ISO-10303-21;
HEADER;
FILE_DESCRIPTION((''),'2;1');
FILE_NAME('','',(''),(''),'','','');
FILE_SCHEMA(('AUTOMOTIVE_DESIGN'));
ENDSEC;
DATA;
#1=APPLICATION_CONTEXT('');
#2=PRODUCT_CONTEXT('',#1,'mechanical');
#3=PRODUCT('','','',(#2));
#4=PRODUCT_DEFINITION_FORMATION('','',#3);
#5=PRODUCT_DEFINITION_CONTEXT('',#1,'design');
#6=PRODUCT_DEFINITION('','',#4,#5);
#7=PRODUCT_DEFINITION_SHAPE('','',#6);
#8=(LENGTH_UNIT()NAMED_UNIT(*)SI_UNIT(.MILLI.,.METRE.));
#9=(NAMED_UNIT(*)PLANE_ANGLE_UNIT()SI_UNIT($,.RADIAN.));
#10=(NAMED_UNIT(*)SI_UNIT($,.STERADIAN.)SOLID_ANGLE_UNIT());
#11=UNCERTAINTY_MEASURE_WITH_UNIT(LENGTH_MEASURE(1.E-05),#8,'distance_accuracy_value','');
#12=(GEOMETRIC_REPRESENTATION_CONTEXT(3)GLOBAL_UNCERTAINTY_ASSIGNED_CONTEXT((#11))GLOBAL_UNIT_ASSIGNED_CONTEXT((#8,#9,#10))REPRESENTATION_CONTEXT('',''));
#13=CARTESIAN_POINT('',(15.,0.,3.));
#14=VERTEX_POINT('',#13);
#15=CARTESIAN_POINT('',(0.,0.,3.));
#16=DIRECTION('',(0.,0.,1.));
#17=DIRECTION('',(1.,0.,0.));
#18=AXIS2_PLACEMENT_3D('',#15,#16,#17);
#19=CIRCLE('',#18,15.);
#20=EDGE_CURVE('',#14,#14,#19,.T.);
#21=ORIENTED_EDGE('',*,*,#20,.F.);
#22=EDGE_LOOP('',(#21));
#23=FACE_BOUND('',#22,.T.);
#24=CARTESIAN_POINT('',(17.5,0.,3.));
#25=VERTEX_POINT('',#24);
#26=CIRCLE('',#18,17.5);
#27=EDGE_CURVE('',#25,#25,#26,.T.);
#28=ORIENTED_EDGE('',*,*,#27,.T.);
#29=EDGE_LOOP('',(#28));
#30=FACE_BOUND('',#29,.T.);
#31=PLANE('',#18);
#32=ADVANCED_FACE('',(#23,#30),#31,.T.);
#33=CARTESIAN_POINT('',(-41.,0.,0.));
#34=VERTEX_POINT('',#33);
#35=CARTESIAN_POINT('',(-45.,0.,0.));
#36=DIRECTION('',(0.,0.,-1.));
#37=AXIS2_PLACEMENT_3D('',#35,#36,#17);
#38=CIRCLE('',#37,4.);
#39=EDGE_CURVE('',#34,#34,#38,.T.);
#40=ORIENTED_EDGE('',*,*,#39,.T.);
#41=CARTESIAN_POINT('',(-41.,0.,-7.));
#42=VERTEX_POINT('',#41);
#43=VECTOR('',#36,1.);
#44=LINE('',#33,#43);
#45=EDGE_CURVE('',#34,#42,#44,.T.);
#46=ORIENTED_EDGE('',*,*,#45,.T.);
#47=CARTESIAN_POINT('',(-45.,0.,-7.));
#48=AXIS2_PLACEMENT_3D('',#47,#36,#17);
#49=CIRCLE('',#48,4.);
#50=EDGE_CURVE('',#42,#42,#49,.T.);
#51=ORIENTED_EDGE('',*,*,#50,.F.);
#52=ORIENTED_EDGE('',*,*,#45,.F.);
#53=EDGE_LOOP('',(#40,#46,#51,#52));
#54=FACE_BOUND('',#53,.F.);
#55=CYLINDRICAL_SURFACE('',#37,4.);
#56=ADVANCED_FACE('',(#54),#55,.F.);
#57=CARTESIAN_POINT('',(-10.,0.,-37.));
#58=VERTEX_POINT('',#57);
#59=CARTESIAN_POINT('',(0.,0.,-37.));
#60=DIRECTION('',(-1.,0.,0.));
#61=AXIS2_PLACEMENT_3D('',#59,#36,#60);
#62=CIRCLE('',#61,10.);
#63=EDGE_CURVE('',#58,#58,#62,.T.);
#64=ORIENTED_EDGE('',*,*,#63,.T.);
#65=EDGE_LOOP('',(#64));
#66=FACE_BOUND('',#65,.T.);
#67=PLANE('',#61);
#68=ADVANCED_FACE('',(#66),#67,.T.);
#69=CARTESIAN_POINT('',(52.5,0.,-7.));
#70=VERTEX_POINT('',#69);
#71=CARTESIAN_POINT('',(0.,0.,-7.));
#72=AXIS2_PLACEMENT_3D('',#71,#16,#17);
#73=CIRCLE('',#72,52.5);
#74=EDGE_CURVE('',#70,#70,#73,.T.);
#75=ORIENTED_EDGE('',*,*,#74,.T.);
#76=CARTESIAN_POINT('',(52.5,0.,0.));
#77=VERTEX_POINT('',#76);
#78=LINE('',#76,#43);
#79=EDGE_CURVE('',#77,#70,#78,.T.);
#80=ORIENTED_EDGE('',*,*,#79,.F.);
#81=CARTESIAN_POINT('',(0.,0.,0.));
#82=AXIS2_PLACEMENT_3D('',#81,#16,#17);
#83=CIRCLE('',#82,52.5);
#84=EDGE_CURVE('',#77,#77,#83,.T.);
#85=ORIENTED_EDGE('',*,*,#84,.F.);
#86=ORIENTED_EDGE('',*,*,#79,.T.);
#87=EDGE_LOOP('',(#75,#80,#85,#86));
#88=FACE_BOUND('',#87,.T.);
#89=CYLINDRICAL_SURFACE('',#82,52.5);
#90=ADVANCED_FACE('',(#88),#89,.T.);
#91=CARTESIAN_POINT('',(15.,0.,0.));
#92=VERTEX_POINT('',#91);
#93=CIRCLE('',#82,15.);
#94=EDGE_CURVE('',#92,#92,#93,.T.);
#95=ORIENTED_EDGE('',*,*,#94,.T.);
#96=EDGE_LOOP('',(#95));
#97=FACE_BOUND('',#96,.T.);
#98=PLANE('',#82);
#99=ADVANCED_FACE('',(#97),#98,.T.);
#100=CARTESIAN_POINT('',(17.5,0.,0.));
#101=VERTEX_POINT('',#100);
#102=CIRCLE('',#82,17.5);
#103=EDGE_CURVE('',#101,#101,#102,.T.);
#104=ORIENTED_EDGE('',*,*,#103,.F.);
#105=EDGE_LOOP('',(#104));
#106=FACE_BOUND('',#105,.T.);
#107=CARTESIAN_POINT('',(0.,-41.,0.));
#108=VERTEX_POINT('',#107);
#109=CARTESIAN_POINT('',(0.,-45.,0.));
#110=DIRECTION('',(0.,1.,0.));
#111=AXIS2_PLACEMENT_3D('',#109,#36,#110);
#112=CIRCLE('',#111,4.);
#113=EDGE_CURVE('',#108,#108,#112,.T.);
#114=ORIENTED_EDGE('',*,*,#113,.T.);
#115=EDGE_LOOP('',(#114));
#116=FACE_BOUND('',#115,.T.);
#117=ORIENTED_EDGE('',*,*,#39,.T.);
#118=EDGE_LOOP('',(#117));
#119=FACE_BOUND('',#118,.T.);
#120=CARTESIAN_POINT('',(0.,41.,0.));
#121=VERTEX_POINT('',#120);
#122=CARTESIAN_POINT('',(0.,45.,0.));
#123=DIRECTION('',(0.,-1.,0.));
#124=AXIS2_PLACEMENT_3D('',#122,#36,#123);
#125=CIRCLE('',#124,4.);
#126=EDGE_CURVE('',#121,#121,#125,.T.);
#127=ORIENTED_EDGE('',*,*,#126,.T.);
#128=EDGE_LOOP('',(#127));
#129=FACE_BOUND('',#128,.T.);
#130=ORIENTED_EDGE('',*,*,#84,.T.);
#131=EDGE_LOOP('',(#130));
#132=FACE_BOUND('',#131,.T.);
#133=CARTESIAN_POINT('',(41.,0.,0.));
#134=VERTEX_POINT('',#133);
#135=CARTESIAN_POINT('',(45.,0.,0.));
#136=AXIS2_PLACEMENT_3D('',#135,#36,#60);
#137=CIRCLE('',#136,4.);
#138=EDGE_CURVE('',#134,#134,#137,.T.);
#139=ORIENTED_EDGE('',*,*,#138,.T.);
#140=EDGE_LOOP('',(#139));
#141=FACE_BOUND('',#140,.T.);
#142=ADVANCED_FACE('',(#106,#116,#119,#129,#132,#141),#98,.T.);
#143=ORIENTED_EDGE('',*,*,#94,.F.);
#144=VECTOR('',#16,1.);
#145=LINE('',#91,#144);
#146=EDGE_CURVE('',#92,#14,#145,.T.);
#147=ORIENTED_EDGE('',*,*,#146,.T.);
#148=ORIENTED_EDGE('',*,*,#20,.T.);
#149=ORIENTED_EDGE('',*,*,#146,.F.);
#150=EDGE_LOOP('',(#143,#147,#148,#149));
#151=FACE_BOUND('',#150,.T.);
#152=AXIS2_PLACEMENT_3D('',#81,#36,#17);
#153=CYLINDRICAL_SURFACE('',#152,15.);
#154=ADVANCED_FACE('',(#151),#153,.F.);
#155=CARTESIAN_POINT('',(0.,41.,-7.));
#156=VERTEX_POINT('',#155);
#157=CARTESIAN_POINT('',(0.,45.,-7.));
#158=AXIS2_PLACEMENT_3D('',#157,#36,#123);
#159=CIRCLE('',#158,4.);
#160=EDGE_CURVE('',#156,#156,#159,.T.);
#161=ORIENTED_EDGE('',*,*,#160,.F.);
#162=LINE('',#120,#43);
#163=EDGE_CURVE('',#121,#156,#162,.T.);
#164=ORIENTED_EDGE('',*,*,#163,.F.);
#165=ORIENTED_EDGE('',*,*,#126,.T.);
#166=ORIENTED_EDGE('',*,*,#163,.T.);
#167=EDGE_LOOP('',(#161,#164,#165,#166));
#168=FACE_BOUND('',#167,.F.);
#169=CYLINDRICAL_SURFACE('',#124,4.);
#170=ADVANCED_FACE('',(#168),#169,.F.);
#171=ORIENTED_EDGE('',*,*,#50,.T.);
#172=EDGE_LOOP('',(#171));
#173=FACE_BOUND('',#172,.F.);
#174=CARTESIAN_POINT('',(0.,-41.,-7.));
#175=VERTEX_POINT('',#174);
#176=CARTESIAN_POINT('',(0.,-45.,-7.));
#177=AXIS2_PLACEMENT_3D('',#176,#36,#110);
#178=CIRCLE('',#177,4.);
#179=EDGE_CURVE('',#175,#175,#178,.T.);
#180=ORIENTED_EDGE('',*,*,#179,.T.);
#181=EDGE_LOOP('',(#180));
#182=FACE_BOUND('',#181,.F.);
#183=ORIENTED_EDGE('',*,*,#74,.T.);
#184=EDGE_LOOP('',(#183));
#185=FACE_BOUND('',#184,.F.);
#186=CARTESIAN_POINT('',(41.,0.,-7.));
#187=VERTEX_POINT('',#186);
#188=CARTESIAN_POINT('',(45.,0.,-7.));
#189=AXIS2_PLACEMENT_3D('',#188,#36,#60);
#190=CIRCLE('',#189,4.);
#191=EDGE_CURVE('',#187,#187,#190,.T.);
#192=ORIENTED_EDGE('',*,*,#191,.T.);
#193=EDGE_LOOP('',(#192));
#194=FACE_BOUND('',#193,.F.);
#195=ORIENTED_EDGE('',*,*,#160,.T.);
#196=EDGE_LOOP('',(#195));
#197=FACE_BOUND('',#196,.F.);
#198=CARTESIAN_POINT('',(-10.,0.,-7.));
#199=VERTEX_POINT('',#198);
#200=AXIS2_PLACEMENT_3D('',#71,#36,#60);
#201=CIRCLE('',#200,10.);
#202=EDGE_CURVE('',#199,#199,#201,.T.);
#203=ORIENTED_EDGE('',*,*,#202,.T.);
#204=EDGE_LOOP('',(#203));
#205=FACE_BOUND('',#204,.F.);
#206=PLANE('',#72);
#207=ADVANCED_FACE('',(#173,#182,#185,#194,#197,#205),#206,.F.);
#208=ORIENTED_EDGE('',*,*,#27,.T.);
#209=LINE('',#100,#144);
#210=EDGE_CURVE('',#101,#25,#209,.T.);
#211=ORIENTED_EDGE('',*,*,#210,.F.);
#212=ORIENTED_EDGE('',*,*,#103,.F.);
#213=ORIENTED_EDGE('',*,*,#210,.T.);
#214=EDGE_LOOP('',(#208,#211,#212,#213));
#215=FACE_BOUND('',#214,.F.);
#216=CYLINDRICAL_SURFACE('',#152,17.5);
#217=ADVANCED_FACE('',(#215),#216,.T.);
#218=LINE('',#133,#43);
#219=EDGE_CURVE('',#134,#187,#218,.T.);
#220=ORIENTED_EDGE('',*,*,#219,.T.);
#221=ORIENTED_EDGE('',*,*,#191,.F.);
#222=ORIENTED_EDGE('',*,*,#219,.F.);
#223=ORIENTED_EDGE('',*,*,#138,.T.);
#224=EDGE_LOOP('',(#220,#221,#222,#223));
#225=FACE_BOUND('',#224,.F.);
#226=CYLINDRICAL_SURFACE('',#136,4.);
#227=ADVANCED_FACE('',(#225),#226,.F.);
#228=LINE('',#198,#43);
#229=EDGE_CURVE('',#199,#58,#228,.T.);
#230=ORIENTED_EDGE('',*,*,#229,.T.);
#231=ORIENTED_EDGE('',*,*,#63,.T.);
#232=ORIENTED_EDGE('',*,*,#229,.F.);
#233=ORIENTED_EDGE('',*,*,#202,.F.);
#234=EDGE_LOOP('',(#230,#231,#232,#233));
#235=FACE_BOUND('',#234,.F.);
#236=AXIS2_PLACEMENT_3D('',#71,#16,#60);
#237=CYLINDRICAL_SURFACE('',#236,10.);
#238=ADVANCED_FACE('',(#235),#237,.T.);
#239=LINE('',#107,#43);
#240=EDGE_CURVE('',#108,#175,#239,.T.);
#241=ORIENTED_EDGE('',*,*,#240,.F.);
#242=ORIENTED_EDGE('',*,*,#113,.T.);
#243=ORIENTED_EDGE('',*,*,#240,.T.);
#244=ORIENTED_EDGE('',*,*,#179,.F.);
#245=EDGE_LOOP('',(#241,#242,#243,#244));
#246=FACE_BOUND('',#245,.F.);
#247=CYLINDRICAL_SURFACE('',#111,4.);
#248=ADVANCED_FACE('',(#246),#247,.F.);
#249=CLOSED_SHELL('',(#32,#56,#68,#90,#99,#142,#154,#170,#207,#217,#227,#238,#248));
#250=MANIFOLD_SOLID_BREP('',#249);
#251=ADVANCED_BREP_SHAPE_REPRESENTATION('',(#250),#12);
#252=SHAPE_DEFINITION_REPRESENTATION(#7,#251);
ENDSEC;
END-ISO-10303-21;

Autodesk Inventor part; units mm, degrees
ref_plane "YZ Plane" through (0, 0, 0) normal (1, 0, 0) x (0, 1, 0)
ref_plane "XZ Plane" through (0, 0, 0) normal (0, 1, 0) x (-1, 0, 0)
ref_plane "XY Plane" through (0, 0, 0) normal (0, 0, 1) x (1, 0, 0)
sketch "Sketch1" plane through (0, 0, 0) normal (0, 0, 1) x (1, 0, 0)
  circle A0 centre (0, 0) radius 52.5
  dimension "d0" = 105
extrude "Extrusion1" add sketch "Sketch1" against normal blind 7
sketch "Sketch2" plane through (0, 0, 0) normal (0, 0, 1) x (1, 0, 0)
  circle A0 centre (0, 0) radius 45 construction
  line L0 (0, 0) -> (0, 45) construction
  dimension "d3" = 90
hole "Hole1" at (0, 45, 0) direction (0, 0, -1) diameter 8 depth 7
pattern_circular "Circular Pattern1" count 4 over 360 about axis through (0, 0, -10) along (0, 0, 1) of "Hole1"
sketch "Sketch3" plane through (0, 0, -7) normal (0, 0, -1) x (-1, 0, 0)
  circle A0 centre (0, 0) radius 10
  dimension "d14" = 20
extrude "Extrusion2" add sketch "Sketch3" along normal blind 30
sketch "Sketch4" plane through (0, 0, 0) normal (0, 0, 1) x (1, 0, 0)
  circle A0 centre (0, 0) radius 15
  circle A1 centre (0, 0) radius 17.5
  dimension "d17" = 35
  dimension "d18" = 30
extrude "Extrusion3" add sketch "Sketch4" along normal blind 3
properties part number "Diff_Driveshaft_Output_V1"
